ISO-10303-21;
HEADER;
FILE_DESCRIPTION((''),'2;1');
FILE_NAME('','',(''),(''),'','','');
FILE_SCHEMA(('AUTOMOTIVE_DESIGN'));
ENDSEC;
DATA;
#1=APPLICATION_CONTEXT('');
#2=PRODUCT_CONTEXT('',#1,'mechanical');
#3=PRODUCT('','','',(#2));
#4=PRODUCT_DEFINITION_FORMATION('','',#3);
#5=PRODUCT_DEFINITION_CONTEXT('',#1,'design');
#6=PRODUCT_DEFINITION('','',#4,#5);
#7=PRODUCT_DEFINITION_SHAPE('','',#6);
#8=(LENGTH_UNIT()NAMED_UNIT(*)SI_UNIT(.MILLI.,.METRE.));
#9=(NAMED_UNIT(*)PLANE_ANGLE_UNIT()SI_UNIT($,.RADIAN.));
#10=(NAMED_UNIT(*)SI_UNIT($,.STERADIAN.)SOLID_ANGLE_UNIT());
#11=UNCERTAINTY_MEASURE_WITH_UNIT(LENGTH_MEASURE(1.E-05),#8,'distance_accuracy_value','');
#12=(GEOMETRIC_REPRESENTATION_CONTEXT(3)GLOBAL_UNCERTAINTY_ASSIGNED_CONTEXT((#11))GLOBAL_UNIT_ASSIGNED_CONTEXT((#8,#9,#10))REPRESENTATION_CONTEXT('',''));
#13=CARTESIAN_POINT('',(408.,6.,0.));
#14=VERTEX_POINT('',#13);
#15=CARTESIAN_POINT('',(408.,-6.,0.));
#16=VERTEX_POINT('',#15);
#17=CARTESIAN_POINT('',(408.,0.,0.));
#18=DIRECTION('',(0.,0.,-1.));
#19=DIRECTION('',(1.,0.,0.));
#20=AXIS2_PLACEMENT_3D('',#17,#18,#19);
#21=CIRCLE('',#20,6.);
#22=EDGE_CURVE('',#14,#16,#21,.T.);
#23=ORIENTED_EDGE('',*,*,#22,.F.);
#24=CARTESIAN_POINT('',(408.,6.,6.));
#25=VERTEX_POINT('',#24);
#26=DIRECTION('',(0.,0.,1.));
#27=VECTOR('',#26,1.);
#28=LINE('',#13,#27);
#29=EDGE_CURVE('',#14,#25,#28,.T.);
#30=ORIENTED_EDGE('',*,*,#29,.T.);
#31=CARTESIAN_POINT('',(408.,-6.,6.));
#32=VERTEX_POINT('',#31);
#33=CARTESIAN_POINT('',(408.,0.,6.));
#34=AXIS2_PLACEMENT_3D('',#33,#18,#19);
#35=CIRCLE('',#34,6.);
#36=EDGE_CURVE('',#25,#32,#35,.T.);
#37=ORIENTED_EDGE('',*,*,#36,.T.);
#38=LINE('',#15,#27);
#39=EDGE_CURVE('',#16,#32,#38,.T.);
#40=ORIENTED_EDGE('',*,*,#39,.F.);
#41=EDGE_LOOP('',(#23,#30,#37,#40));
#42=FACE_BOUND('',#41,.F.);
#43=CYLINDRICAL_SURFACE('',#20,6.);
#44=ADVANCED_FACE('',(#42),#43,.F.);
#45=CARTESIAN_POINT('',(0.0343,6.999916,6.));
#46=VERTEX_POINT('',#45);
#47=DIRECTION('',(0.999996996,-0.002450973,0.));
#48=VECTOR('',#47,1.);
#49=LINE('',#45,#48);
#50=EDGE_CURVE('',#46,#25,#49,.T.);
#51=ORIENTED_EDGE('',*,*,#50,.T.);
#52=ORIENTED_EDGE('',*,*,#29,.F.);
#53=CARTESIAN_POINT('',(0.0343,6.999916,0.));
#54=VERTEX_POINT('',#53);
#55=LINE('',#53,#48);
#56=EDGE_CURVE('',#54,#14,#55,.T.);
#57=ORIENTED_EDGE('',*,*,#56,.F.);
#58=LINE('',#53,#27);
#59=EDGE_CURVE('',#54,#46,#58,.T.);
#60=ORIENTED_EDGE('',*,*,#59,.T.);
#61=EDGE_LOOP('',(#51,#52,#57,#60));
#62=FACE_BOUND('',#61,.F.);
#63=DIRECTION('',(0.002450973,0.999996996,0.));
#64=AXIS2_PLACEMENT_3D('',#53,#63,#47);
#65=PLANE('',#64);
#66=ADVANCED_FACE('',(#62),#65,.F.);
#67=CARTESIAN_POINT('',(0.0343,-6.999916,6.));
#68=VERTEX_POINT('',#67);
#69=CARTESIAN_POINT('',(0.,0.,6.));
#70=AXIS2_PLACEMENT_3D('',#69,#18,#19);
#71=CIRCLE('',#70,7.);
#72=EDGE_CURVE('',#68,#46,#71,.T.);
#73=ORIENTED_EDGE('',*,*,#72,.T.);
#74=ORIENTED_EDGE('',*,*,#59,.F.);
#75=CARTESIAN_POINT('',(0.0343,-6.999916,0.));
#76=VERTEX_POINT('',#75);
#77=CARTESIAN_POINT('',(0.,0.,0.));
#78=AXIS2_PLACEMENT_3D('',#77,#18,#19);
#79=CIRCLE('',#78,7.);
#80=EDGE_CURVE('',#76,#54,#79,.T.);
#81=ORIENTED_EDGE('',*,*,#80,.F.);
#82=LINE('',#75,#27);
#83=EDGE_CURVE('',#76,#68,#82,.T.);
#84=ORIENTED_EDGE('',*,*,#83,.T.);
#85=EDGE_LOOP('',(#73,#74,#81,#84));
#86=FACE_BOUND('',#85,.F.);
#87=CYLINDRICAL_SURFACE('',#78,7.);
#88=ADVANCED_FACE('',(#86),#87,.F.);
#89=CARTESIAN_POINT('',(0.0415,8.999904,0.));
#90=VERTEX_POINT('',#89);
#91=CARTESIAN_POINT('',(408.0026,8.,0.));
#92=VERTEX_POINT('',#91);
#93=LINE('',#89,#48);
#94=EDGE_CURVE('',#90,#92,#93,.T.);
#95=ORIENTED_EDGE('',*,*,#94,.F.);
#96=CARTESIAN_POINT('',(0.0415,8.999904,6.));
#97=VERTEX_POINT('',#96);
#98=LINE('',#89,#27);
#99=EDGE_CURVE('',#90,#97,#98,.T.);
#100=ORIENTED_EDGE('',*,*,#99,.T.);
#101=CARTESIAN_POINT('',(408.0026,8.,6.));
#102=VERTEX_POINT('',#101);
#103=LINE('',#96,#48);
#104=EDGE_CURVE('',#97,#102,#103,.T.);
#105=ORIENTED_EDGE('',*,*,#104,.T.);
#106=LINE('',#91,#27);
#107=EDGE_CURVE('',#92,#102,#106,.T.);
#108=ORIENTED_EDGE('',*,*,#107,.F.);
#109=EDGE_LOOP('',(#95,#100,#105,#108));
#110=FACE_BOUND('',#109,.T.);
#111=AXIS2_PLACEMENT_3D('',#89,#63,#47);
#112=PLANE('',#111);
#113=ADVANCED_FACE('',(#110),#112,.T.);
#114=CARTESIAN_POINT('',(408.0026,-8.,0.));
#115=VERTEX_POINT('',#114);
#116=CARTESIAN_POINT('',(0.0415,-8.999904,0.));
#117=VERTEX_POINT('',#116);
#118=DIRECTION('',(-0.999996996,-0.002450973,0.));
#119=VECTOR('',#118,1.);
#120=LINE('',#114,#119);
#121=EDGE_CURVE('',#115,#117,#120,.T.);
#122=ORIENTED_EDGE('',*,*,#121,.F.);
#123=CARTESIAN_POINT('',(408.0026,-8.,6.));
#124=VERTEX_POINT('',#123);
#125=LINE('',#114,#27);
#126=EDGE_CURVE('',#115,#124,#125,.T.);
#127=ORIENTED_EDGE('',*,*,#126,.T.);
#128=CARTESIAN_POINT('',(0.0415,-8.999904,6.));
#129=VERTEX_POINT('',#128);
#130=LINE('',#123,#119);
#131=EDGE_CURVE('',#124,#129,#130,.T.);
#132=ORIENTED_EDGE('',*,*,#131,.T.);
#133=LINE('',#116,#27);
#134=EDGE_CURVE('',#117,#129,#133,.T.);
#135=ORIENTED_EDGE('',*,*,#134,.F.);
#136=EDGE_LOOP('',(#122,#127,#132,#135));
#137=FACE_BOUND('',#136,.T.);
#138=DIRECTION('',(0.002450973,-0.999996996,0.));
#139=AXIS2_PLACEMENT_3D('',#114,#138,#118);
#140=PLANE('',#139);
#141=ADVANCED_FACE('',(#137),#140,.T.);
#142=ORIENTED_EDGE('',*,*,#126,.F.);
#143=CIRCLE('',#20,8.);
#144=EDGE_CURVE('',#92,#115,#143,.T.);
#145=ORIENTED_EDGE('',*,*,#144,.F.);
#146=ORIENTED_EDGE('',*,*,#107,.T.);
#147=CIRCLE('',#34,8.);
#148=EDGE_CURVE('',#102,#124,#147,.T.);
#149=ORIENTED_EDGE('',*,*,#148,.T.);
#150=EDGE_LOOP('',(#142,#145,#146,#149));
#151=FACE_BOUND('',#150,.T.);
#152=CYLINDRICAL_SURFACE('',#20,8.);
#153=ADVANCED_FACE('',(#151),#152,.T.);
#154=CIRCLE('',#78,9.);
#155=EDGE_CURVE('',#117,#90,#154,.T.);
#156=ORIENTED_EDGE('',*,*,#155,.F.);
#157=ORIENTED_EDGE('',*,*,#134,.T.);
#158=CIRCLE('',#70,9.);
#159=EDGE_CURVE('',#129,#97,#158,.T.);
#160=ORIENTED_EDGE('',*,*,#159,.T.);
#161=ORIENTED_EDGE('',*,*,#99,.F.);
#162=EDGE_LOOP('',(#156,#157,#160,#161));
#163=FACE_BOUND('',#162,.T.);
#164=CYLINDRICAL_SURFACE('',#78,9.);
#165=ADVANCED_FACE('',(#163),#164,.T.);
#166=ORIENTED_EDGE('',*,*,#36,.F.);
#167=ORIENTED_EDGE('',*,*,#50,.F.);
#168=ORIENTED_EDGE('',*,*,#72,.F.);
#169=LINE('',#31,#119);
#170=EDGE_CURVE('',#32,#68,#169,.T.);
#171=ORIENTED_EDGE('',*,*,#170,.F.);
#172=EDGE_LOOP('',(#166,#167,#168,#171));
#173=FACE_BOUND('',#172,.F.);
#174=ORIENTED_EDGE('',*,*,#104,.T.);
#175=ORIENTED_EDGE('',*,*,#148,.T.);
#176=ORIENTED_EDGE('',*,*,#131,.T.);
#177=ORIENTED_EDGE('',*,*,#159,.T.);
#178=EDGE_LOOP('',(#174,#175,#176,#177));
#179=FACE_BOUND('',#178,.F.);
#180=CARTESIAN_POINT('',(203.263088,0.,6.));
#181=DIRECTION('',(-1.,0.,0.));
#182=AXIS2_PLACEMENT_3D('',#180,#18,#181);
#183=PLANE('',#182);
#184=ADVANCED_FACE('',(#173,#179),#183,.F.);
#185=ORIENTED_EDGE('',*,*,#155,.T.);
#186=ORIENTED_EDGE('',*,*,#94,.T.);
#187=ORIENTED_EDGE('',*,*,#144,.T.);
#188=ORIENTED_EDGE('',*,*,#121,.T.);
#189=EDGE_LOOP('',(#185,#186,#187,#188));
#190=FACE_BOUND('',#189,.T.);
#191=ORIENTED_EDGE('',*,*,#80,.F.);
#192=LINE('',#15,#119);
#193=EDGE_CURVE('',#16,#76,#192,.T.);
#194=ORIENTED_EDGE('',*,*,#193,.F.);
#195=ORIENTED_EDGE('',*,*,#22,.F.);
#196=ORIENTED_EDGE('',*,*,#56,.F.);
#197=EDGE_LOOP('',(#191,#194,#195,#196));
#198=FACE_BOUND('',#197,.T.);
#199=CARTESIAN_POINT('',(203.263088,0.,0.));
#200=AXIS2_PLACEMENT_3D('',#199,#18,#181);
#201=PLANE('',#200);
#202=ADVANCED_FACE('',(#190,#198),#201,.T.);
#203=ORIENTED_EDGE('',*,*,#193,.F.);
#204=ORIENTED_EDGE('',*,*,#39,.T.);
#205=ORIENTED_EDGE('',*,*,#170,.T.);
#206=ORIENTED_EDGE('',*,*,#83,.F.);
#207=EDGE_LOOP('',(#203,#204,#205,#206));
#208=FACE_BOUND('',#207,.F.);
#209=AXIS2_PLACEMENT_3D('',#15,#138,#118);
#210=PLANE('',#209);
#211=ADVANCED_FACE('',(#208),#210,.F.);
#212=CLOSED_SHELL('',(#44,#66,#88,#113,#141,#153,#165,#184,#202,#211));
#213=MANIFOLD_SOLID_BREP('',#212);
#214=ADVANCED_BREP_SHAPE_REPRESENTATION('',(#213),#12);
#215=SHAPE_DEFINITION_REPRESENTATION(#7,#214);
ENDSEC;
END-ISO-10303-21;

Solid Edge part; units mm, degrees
sketch "Sketch1" plane through (0, 0, 0) normal (0, 0, 1) x (1, 0, 0)
  line L0 (0.0415, 8.9999) -> (408.0026, 8)
  arc A0 (408.0026, 8) -> (408.0026, -8) centre (408, 0) cw
  line L1 (408.0026, -8) -> (0.0415, -8.9999)
  arc A1 (0.0415, -8.9999) -> (0.0415, 8.9999) centre (0, 0) cw
  line L2 (0.0343, 6.9999) -> (408, 6)
  line L3 (408, -6) -> (0.0343, -6.9999)
  arc A2 (408, 6) -> (408, -6) centre (408, 0) cw
  arc A3 (0.0343, -6.9999) -> (0.0343, 6.9999) centre (0, 0) cw
extrude "Protrusion1" add sketch "Sketch1" along normal blind 6
properties material "Polyurethene"
